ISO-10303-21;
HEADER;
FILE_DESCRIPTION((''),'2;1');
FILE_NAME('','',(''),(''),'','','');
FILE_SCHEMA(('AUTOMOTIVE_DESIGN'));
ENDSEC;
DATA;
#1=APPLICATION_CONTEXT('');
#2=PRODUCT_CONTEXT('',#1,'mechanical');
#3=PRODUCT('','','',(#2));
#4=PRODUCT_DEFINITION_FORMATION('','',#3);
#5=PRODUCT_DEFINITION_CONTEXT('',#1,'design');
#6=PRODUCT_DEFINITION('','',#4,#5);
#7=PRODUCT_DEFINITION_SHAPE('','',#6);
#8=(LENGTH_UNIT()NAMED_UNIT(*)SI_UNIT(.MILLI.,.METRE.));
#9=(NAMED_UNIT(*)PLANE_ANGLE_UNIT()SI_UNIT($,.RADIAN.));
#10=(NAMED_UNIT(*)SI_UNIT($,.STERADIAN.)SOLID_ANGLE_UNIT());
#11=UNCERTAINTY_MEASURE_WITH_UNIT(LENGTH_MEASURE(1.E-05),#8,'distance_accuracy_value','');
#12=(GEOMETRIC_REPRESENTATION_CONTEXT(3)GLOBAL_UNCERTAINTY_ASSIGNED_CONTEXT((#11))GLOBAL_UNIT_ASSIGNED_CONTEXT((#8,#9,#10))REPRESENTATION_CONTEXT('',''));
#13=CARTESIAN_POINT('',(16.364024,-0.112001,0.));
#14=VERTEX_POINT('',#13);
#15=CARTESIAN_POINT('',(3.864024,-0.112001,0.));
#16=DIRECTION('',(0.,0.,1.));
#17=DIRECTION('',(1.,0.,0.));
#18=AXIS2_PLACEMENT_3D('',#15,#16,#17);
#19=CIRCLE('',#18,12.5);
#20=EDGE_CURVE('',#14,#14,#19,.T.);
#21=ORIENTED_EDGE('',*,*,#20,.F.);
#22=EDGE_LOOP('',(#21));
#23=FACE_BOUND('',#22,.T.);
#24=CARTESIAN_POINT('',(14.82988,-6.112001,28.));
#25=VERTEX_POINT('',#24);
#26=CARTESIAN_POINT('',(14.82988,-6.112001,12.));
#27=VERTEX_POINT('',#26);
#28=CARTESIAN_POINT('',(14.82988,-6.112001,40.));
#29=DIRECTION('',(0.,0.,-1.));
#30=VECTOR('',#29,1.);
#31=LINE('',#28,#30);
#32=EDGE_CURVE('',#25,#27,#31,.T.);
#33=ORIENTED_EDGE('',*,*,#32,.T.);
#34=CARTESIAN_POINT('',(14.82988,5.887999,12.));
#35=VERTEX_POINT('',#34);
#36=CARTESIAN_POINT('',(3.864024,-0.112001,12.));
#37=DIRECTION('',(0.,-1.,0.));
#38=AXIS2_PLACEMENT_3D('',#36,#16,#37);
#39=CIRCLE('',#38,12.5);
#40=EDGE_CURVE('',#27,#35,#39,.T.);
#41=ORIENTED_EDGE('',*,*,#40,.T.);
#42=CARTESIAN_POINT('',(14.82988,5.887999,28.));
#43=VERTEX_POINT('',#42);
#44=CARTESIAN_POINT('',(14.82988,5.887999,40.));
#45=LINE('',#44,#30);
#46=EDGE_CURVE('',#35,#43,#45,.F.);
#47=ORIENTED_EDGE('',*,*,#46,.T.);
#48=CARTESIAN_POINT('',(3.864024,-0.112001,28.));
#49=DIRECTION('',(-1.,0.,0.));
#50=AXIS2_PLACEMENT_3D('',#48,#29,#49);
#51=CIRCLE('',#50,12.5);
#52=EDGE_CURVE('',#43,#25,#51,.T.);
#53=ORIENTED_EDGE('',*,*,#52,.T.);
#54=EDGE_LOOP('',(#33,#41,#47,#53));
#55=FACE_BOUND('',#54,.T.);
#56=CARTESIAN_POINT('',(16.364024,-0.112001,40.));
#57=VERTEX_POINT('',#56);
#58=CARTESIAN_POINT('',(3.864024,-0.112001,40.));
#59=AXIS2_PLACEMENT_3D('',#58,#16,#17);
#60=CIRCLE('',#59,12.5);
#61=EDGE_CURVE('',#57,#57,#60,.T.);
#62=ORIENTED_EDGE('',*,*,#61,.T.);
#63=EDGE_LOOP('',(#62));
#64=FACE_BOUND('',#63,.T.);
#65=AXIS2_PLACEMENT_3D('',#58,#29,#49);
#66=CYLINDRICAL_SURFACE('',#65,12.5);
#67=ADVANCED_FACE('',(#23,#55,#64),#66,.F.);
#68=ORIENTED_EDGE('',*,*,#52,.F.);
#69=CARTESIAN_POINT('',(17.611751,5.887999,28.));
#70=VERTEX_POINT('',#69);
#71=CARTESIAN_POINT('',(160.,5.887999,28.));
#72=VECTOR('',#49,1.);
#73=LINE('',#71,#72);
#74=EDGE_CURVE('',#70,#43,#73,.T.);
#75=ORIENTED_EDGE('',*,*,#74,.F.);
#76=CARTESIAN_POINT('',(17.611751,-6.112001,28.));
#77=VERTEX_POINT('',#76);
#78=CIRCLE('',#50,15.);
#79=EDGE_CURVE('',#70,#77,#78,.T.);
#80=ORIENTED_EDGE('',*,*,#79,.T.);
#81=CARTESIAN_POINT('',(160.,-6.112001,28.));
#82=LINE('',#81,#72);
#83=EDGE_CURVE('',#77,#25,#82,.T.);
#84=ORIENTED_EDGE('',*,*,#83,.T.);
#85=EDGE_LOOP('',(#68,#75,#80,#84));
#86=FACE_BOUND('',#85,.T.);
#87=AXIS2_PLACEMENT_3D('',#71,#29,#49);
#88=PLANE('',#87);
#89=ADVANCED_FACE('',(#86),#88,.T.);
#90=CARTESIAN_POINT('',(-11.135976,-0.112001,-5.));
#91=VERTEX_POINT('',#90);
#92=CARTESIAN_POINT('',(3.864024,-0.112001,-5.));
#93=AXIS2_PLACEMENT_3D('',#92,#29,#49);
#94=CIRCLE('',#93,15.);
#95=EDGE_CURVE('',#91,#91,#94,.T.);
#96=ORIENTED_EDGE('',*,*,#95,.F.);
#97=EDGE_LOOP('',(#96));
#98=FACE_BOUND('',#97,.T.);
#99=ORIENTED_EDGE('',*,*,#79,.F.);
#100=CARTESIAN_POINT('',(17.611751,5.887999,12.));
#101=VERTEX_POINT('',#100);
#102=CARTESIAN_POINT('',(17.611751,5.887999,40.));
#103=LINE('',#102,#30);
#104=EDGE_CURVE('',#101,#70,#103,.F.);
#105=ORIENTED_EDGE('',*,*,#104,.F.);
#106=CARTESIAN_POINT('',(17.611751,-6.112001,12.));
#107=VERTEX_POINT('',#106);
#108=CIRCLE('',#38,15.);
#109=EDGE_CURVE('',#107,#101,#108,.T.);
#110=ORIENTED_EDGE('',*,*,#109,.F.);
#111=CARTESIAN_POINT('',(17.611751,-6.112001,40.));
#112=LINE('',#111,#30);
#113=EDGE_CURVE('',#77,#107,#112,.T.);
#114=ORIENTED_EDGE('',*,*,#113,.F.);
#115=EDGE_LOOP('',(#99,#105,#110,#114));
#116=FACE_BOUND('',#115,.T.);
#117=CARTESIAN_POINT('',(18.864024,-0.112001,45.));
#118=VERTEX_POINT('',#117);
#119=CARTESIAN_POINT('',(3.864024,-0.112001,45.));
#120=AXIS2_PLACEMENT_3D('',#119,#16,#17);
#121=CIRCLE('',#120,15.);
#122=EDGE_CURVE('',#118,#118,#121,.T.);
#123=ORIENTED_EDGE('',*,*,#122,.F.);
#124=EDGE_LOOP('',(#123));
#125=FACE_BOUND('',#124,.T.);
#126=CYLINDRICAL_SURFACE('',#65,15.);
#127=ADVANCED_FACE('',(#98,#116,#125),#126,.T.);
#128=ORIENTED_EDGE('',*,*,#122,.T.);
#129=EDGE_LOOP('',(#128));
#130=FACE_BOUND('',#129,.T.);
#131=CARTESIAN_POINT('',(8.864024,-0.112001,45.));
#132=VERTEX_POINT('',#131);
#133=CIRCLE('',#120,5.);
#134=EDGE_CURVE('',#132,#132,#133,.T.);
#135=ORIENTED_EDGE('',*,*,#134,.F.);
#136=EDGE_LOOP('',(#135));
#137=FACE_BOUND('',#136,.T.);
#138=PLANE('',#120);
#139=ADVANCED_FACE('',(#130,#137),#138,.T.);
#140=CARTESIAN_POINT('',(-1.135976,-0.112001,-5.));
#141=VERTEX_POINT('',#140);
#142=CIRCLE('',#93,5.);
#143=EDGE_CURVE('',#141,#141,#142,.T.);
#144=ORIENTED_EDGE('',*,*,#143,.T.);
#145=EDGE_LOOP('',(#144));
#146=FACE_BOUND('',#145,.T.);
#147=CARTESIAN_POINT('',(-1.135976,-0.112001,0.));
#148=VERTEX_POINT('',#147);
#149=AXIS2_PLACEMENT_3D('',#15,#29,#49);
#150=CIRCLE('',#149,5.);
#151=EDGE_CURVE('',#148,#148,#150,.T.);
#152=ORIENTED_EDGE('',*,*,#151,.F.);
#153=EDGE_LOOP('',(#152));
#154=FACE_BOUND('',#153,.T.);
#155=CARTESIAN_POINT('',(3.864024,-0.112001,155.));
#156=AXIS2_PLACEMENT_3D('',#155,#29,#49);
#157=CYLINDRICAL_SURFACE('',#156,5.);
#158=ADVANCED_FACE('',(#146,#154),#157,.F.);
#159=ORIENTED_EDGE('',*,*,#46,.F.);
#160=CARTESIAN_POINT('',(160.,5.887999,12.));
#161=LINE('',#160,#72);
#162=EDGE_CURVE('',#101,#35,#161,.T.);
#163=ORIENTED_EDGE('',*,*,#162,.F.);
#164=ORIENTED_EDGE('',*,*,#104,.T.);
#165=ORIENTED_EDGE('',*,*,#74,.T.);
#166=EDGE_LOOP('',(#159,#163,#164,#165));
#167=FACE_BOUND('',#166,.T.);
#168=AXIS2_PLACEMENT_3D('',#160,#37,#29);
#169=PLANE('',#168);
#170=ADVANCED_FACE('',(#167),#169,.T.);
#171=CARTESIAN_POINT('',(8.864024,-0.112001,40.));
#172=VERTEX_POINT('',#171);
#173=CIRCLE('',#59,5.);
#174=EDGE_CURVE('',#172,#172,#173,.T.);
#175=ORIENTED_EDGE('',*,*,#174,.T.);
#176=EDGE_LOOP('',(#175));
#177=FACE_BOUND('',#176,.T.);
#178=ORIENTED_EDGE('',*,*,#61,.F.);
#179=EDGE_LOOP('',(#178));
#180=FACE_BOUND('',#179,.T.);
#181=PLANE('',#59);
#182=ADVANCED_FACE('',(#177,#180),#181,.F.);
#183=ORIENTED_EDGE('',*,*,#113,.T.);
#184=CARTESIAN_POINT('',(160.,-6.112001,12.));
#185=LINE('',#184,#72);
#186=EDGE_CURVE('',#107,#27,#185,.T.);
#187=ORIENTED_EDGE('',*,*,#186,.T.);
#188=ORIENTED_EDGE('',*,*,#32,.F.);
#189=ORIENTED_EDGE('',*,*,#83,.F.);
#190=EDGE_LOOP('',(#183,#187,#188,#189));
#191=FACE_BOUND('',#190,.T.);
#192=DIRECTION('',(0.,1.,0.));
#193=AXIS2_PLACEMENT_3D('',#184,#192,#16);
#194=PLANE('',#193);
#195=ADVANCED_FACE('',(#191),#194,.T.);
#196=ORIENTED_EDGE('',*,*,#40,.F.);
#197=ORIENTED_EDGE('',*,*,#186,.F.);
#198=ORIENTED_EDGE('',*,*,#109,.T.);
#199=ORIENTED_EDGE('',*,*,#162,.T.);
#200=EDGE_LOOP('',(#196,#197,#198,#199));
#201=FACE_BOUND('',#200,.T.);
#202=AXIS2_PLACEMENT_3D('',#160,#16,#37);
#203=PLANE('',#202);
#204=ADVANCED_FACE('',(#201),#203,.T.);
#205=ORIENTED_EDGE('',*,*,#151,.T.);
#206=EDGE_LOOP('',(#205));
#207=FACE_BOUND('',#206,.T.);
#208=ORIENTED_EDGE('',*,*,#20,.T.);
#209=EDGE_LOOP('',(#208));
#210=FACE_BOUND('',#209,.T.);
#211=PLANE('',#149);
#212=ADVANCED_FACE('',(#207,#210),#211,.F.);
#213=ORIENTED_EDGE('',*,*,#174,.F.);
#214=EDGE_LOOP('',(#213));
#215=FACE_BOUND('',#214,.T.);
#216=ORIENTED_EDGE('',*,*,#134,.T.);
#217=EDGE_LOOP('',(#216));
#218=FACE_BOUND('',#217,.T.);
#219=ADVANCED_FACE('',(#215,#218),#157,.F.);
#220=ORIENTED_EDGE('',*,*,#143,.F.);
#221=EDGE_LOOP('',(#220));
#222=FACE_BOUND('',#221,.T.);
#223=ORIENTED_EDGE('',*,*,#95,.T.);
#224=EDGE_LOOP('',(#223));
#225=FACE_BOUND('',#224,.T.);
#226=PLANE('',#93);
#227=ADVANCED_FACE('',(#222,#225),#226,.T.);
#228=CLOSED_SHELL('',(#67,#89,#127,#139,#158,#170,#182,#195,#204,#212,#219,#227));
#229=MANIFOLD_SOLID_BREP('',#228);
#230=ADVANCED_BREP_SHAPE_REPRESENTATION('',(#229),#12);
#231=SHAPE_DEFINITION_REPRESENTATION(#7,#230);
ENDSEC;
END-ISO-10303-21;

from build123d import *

# Parameters (mm, degrees)
SKETCH1_R           = 15
SKETCH1_R_2         = 12.5
BOSS_EXTRUDE1_DEPTH = 40
SKETCH2_R           = 15
BOSS_EXTRUDE2_DEPTH = 5
BOSS_EXTRUDE3_START = 5
SKETCH3_R           = 15
BOSS_EXTRUDE3_DEPTH = 5
SKETCH4_R           = 5
BOSS_EXTRUDE4_DEPTH = 160
SKETCH5_W           = 16
SKETCH5_H           = 12
CUT_EXTRUDE1_DEPTH  = 160


with BuildPart() as part:
    # Sketch1 → Boss-Extrude1 (new body)
    with BuildSketch(Plane.XY):
        with Locations((3.864023938, -0.112000694)):
            Circle(SKETCH1_R)
        with Locations((3.864023938, -0.112000694)):
            Circle(SKETCH1_R_2, mode=Mode.SUBTRACT)
    extrude(amount=BOSS_EXTRUDE1_DEPTH)

    # Sketch2 → Boss-Extrude2 (add)
    with BuildSketch(Plane.XY.offset(40)):
        with Locations((3.864023938, -0.112000694)):
            Circle(SKETCH2_R)
    extrude(amount=BOSS_EXTRUDE2_DEPTH)

    # Sketch3 → Boss-Extrude3 (add)
    with BuildSketch(Plane(origin=(0, 0, 0), x_dir=(-1, 0, 0), z_dir=(0, 0, -1)).offset(BOSS_EXTRUDE3_START)):
        with Locations((-3.864023938, -0.112000694)):
            Circle(SKETCH3_R)
    extrude(amount=-BOSS_EXTRUDE3_DEPTH)


with BuildPart() as body_2:
    # Sketch4 → Boss-Extrude4 (new body)
    with BuildSketch(Plane(origin=(0, 0, -5), x_dir=(-1, 0, 0), z_dir=(0, 0, -1))):
        with Locations((-3.864023938, -0.112000694)):
            Circle(SKETCH4_R)
    extrude(amount=-BOSS_EXTRUDE4_DEPTH)


with BuildPart() as part_1:
    add(part.part)

    # Combine1: cut body 2
    add(body_2.part, mode=Mode.SUBTRACT)

    # Sketch5 → Cut-Extrude1 (cut)
    with BuildSketch(Plane(origin=(0, 0, 0), x_dir=(0, 0, -1), z_dir=(1, 0, 0))):
        with Locations((-20, -0.112000694)):
            Rectangle(SKETCH5_W, SKETCH5_H)
    extrude(amount=CUT_EXTRUDE1_DEPTH, mode=Mode.SUBTRACT)


solid = part_1.part
